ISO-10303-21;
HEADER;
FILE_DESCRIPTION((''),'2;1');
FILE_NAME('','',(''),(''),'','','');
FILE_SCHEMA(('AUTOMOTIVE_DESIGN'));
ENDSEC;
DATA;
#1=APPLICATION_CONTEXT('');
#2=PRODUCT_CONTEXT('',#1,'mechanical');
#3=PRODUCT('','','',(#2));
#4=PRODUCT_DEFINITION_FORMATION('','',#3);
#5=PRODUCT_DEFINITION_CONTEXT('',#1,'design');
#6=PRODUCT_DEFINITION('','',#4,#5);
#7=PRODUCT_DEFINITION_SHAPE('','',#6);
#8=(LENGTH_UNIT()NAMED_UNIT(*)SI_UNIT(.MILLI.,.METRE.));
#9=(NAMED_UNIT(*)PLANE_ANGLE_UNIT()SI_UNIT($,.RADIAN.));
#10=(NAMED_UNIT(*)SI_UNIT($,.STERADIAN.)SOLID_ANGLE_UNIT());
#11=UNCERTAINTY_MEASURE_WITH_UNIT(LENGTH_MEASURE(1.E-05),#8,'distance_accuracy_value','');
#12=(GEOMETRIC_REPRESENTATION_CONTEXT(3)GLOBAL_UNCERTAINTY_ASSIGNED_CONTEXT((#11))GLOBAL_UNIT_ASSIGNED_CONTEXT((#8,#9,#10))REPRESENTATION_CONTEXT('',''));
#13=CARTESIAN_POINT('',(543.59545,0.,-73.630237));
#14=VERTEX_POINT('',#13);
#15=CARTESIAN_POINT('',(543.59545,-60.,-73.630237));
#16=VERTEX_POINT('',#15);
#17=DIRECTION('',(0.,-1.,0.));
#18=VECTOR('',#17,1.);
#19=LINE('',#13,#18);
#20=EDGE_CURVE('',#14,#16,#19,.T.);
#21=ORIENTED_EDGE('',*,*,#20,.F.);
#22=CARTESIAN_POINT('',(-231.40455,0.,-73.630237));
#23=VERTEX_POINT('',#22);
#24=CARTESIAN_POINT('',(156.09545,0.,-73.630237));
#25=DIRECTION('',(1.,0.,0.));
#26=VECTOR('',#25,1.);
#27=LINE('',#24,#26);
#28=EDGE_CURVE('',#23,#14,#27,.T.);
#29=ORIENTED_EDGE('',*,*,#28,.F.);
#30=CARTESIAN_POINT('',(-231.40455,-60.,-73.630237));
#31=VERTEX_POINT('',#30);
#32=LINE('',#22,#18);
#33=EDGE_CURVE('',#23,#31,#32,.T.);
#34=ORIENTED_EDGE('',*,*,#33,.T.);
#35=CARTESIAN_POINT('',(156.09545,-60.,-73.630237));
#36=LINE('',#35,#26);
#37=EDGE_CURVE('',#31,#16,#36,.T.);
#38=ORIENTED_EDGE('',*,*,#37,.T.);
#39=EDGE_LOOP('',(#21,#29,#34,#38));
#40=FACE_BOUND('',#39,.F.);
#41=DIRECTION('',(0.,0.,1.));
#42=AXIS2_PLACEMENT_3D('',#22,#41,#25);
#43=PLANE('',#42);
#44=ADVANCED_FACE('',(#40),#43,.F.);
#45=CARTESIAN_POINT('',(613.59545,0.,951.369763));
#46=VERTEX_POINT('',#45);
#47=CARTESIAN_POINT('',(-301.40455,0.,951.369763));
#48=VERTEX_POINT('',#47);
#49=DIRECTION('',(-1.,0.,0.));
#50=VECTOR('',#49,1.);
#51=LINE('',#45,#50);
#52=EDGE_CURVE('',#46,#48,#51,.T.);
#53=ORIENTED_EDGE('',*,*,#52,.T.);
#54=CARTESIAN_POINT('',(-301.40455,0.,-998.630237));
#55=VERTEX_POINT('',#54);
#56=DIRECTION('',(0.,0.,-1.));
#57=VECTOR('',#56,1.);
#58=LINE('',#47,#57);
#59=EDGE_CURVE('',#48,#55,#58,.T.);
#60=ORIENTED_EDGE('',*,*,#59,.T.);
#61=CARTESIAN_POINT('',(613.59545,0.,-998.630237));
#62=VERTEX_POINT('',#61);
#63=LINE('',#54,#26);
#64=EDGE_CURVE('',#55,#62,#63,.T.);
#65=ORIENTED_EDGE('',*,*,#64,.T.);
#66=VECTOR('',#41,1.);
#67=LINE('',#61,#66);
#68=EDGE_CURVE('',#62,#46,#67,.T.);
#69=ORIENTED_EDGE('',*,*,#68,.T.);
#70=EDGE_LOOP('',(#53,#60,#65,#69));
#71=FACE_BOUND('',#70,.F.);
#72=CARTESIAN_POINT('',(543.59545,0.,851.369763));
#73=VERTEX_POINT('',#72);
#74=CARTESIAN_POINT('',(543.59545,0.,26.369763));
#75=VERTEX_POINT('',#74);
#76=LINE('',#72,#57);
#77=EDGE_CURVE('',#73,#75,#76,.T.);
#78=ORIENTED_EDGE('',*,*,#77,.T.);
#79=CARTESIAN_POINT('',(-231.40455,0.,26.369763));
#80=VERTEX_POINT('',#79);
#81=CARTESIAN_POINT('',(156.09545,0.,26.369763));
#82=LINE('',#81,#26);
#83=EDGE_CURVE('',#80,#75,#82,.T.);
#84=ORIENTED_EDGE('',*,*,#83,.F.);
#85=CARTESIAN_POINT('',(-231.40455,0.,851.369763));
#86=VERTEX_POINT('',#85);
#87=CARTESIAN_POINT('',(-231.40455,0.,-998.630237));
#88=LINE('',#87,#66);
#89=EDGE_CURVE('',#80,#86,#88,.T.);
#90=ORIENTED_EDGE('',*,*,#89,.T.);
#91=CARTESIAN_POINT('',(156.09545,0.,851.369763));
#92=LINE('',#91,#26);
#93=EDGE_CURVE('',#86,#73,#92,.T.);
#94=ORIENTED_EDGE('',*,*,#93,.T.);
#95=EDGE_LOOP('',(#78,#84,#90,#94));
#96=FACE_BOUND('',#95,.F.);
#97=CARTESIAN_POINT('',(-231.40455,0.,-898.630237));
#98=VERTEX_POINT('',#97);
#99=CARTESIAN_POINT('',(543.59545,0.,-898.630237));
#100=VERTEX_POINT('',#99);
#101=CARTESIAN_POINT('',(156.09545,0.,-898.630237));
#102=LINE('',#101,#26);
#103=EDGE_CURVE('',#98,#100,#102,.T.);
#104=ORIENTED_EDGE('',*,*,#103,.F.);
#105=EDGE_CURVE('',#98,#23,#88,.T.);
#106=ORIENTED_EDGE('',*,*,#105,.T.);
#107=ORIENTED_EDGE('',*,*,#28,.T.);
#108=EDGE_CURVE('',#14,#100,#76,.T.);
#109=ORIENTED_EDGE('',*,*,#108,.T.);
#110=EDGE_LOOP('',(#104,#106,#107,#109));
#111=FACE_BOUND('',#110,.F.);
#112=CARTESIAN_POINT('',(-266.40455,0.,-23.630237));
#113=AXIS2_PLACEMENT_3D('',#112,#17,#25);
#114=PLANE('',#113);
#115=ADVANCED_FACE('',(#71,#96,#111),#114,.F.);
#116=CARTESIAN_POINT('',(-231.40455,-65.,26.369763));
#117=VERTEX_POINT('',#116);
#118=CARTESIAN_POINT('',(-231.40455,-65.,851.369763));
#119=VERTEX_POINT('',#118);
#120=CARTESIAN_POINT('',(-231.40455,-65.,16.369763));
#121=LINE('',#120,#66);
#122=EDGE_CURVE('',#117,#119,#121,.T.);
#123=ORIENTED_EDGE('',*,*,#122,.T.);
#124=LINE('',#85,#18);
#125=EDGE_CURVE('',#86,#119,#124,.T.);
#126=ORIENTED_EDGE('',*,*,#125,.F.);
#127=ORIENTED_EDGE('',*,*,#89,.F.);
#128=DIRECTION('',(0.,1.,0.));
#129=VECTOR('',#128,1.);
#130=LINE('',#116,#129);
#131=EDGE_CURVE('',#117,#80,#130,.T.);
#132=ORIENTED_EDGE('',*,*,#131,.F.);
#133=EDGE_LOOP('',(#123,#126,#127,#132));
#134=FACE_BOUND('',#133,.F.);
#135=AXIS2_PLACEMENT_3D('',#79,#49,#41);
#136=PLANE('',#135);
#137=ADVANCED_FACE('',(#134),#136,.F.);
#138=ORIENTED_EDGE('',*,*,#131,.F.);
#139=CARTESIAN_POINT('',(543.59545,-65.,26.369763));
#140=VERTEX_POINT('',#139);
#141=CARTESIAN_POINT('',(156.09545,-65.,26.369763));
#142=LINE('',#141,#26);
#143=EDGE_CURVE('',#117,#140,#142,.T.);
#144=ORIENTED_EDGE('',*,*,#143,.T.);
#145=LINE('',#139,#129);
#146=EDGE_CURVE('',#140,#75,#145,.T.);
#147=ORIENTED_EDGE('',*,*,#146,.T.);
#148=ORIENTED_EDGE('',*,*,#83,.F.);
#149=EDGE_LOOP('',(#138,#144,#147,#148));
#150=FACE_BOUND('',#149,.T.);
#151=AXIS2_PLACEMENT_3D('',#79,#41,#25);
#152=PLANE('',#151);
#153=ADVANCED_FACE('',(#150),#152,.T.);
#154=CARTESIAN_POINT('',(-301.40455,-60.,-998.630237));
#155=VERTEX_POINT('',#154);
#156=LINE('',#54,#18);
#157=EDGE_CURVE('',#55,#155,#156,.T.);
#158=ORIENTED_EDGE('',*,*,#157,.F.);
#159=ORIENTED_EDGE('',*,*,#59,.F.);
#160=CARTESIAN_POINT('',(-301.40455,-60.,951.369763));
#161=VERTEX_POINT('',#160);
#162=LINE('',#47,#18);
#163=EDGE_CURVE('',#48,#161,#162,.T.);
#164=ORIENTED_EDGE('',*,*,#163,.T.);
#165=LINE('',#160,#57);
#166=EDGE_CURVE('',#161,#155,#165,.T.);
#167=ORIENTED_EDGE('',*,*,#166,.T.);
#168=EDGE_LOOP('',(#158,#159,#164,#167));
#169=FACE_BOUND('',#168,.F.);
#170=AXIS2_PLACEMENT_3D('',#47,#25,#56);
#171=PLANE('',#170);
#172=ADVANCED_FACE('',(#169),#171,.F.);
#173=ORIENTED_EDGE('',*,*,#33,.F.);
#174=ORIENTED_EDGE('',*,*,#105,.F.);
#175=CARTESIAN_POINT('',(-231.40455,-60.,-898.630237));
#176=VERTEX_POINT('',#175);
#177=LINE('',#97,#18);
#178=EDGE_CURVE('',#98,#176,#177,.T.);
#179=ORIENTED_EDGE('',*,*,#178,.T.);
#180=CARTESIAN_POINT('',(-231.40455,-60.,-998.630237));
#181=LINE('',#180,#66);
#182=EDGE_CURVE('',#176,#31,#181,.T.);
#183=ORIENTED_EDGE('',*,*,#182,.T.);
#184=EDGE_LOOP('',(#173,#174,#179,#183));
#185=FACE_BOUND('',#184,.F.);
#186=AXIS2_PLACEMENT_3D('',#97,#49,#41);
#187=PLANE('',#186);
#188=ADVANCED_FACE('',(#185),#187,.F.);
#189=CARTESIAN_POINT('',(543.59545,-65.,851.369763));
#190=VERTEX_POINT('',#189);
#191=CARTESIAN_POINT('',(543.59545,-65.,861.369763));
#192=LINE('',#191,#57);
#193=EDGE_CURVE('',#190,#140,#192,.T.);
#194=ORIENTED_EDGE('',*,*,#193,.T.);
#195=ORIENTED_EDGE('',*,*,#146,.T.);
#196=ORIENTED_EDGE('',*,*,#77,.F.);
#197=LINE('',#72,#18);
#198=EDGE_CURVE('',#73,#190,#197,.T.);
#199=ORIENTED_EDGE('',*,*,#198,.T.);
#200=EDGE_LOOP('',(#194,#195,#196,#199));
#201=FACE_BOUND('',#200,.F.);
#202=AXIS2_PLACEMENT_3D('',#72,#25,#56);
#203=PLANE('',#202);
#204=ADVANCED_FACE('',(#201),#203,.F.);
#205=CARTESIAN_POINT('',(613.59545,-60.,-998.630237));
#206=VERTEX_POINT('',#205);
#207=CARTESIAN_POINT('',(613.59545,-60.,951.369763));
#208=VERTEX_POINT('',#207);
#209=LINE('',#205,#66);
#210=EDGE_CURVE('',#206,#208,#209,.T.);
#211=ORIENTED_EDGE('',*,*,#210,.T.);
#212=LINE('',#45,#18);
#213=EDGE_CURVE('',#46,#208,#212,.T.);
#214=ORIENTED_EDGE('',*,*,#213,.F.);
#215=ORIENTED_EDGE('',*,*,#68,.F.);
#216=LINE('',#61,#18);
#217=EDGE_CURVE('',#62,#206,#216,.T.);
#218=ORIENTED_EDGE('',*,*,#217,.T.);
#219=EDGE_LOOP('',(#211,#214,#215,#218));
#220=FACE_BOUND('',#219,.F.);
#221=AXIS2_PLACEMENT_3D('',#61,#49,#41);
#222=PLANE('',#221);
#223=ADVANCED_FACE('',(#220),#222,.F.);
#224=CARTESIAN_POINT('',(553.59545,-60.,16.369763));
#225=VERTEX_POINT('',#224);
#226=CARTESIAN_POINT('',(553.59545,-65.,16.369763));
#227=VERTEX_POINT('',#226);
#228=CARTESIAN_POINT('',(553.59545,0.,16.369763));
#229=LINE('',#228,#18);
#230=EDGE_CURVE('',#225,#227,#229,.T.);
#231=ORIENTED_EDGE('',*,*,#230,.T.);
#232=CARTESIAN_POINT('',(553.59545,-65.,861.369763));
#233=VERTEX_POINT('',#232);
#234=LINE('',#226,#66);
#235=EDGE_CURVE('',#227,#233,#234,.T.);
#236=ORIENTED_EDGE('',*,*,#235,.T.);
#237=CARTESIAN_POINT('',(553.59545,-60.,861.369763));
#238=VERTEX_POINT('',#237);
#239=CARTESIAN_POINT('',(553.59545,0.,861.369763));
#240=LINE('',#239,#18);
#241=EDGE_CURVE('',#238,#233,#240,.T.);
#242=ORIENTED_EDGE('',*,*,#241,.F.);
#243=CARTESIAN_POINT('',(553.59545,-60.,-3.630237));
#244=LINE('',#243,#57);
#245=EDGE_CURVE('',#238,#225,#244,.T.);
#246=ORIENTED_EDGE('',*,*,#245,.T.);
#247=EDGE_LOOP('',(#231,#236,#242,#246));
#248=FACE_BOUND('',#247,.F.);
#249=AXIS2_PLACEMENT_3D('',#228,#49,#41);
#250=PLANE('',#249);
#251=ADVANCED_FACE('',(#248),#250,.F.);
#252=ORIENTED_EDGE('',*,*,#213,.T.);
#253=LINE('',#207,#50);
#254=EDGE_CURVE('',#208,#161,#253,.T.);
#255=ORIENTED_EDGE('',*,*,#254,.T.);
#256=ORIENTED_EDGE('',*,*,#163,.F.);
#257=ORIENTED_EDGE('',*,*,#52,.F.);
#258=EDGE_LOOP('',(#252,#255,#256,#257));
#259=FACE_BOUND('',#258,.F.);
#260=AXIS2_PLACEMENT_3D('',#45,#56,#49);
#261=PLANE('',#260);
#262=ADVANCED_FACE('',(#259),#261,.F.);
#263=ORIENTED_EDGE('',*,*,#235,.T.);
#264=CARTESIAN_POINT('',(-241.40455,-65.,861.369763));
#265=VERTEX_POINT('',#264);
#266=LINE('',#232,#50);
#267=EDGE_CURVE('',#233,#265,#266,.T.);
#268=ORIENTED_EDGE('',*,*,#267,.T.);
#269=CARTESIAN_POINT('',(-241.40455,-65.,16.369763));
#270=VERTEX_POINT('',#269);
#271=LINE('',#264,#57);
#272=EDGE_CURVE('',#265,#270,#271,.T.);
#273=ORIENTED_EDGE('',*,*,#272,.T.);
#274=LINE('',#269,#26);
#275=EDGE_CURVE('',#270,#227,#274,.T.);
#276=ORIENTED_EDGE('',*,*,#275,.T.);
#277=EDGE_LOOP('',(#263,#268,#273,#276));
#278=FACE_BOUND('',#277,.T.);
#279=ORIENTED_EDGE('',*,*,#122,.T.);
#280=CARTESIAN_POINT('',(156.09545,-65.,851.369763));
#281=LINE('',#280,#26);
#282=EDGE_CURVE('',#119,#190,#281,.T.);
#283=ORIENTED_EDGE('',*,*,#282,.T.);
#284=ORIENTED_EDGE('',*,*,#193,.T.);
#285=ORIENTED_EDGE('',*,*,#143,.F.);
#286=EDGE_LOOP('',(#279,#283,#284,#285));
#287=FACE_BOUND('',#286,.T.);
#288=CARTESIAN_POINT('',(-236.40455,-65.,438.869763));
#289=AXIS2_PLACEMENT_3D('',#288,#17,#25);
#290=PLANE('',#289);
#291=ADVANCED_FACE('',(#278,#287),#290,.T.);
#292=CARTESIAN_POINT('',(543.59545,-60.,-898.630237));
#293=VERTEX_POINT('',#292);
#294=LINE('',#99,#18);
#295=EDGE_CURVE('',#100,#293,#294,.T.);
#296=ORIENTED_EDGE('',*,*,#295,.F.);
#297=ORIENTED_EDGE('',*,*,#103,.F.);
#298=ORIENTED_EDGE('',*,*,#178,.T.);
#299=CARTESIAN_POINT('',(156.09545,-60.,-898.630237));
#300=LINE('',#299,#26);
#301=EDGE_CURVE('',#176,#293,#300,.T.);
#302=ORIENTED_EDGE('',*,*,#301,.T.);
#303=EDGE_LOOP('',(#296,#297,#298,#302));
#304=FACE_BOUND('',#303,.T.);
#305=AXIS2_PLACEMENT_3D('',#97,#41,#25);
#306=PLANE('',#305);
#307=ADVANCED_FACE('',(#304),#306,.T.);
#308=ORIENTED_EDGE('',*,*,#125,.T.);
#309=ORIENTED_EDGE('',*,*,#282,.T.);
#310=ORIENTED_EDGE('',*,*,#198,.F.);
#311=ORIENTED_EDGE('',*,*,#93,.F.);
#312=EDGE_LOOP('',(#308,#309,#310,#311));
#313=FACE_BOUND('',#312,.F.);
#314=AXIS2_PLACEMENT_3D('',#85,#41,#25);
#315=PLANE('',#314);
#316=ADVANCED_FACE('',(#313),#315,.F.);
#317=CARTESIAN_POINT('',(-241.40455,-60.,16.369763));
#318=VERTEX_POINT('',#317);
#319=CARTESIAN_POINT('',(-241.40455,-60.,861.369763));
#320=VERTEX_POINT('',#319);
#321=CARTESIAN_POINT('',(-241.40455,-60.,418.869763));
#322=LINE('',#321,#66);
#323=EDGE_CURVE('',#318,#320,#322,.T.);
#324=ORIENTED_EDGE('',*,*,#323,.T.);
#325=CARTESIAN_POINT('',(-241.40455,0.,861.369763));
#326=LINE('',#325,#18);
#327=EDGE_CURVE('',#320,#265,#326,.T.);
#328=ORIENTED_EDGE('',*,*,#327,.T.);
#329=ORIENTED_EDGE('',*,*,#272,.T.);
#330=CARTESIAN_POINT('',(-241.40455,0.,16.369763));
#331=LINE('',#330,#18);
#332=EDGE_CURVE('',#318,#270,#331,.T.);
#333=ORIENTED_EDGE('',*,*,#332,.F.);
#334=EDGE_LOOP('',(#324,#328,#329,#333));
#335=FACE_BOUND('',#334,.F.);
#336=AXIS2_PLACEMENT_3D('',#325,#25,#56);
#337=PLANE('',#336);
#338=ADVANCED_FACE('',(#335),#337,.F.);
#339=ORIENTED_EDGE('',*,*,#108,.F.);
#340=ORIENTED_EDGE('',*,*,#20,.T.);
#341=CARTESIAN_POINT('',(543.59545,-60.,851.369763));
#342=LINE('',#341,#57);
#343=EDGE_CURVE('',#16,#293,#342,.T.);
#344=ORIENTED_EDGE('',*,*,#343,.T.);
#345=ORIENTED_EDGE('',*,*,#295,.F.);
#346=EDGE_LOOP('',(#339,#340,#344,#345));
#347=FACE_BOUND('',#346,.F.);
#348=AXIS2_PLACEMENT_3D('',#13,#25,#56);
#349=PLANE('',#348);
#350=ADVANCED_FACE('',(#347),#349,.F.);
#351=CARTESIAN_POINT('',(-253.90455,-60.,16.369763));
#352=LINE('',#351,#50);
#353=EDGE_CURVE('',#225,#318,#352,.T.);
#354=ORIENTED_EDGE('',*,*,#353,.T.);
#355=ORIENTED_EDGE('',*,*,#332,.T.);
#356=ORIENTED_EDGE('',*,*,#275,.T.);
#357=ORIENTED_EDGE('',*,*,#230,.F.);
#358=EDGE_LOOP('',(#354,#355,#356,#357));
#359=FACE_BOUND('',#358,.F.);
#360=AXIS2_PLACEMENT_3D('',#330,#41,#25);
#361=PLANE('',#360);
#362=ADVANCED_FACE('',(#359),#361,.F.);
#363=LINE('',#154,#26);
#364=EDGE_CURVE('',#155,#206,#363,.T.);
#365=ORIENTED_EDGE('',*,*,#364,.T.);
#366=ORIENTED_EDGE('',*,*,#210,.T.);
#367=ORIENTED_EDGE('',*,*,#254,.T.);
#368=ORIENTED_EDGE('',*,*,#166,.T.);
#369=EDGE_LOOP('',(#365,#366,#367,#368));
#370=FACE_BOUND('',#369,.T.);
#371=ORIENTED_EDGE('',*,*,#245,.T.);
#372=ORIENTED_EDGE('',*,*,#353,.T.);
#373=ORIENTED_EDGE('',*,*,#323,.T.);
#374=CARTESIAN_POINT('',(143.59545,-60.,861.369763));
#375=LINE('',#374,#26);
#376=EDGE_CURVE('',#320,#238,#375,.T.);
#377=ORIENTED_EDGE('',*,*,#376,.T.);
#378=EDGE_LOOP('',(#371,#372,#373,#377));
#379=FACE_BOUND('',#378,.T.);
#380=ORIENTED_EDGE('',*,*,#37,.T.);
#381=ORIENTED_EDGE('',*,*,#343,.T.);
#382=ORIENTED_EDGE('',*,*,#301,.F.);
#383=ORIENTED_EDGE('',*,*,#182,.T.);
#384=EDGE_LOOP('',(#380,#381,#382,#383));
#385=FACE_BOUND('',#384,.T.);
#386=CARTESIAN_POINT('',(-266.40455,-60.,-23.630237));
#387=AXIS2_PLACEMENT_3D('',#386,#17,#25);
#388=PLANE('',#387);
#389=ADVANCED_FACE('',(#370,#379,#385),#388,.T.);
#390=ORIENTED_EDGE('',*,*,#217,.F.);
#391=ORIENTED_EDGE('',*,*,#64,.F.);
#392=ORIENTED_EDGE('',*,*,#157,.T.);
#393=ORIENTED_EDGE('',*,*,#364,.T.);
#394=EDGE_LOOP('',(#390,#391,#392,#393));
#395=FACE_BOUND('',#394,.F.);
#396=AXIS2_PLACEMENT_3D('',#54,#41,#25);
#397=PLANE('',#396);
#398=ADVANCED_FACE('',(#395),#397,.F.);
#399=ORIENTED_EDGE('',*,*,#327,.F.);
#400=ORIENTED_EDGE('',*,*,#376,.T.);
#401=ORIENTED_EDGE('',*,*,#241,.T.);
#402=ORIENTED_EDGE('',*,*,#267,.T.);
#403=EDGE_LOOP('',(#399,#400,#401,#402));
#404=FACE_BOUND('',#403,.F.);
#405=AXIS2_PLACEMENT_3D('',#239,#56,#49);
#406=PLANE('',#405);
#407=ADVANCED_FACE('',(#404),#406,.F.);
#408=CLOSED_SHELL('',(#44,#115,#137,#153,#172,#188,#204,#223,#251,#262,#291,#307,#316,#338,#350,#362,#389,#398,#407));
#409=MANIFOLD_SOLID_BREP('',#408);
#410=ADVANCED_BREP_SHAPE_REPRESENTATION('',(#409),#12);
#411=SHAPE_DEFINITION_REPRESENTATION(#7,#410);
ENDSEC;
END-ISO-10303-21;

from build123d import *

# Parameters (mm, degrees)
F0_W     = 775
F0_H     = 100
F1_DEPTH = 60
F2_W     = 775
F2_H     = 10
F3_DEPTH = 65


with BuildPart() as f1:
    # F0 (on Front) → F1 (new body)
    with BuildSketch(Plane.XZ):
        Polygon((-231.40455, 951.369763), (-301.40455, 951.369763), (-301.40455, -998.630237), (-231.40455, -998.630237), (-231.40455, -898.630237), (-231.40455, -73.630237), (-231.40455, 26.369763), (-231.40455, 851.369763), align=None)
        with Locations((156.09545, 901.369763)):
            Rectangle(F0_W, F0_H)
        Polygon((613.59545, 951.369763), (543.59545, 951.369763), (543.59545, 851.369763), (543.59545, 26.369763), (543.59545, -73.630237), (543.59545, -898.630237), (543.59545, -998.630237), (613.59545, -998.630237), align=None)
        with Locations((156.09545, -23.630237)):
            Rectangle(F0_W, F0_H)
        with Locations((156.09545, -948.630237)):
            Rectangle(F0_W, F0_H)
    extrude(amount=F1_DEPTH)

    # F2 (on Front) → F3 (join)
    with BuildSketch(Plane.XZ):
        Polygon((-241.40455, 16.369763), (-231.40455, 16.369763), (-231.40455, 26.369763), (-231.40455, 851.369763), (-231.40455, 861.369763), (-241.40455, 861.369763), align=None)
        with Locations((156.09545, 21.369763)):
            Rectangle(F2_W, F2_H)
        Polygon((543.59545, 26.369763), (543.59545, 16.369763), (553.59545, 16.369763), (553.59545, 861.369763), (543.59545, 861.369763), (543.59545, 851.369763), align=None)
        with Locations((156.09545, 856.369763)):
            Rectangle(F2_W, F2_H)
    extrude(amount=F3_DEPTH)


solid = f1.part
